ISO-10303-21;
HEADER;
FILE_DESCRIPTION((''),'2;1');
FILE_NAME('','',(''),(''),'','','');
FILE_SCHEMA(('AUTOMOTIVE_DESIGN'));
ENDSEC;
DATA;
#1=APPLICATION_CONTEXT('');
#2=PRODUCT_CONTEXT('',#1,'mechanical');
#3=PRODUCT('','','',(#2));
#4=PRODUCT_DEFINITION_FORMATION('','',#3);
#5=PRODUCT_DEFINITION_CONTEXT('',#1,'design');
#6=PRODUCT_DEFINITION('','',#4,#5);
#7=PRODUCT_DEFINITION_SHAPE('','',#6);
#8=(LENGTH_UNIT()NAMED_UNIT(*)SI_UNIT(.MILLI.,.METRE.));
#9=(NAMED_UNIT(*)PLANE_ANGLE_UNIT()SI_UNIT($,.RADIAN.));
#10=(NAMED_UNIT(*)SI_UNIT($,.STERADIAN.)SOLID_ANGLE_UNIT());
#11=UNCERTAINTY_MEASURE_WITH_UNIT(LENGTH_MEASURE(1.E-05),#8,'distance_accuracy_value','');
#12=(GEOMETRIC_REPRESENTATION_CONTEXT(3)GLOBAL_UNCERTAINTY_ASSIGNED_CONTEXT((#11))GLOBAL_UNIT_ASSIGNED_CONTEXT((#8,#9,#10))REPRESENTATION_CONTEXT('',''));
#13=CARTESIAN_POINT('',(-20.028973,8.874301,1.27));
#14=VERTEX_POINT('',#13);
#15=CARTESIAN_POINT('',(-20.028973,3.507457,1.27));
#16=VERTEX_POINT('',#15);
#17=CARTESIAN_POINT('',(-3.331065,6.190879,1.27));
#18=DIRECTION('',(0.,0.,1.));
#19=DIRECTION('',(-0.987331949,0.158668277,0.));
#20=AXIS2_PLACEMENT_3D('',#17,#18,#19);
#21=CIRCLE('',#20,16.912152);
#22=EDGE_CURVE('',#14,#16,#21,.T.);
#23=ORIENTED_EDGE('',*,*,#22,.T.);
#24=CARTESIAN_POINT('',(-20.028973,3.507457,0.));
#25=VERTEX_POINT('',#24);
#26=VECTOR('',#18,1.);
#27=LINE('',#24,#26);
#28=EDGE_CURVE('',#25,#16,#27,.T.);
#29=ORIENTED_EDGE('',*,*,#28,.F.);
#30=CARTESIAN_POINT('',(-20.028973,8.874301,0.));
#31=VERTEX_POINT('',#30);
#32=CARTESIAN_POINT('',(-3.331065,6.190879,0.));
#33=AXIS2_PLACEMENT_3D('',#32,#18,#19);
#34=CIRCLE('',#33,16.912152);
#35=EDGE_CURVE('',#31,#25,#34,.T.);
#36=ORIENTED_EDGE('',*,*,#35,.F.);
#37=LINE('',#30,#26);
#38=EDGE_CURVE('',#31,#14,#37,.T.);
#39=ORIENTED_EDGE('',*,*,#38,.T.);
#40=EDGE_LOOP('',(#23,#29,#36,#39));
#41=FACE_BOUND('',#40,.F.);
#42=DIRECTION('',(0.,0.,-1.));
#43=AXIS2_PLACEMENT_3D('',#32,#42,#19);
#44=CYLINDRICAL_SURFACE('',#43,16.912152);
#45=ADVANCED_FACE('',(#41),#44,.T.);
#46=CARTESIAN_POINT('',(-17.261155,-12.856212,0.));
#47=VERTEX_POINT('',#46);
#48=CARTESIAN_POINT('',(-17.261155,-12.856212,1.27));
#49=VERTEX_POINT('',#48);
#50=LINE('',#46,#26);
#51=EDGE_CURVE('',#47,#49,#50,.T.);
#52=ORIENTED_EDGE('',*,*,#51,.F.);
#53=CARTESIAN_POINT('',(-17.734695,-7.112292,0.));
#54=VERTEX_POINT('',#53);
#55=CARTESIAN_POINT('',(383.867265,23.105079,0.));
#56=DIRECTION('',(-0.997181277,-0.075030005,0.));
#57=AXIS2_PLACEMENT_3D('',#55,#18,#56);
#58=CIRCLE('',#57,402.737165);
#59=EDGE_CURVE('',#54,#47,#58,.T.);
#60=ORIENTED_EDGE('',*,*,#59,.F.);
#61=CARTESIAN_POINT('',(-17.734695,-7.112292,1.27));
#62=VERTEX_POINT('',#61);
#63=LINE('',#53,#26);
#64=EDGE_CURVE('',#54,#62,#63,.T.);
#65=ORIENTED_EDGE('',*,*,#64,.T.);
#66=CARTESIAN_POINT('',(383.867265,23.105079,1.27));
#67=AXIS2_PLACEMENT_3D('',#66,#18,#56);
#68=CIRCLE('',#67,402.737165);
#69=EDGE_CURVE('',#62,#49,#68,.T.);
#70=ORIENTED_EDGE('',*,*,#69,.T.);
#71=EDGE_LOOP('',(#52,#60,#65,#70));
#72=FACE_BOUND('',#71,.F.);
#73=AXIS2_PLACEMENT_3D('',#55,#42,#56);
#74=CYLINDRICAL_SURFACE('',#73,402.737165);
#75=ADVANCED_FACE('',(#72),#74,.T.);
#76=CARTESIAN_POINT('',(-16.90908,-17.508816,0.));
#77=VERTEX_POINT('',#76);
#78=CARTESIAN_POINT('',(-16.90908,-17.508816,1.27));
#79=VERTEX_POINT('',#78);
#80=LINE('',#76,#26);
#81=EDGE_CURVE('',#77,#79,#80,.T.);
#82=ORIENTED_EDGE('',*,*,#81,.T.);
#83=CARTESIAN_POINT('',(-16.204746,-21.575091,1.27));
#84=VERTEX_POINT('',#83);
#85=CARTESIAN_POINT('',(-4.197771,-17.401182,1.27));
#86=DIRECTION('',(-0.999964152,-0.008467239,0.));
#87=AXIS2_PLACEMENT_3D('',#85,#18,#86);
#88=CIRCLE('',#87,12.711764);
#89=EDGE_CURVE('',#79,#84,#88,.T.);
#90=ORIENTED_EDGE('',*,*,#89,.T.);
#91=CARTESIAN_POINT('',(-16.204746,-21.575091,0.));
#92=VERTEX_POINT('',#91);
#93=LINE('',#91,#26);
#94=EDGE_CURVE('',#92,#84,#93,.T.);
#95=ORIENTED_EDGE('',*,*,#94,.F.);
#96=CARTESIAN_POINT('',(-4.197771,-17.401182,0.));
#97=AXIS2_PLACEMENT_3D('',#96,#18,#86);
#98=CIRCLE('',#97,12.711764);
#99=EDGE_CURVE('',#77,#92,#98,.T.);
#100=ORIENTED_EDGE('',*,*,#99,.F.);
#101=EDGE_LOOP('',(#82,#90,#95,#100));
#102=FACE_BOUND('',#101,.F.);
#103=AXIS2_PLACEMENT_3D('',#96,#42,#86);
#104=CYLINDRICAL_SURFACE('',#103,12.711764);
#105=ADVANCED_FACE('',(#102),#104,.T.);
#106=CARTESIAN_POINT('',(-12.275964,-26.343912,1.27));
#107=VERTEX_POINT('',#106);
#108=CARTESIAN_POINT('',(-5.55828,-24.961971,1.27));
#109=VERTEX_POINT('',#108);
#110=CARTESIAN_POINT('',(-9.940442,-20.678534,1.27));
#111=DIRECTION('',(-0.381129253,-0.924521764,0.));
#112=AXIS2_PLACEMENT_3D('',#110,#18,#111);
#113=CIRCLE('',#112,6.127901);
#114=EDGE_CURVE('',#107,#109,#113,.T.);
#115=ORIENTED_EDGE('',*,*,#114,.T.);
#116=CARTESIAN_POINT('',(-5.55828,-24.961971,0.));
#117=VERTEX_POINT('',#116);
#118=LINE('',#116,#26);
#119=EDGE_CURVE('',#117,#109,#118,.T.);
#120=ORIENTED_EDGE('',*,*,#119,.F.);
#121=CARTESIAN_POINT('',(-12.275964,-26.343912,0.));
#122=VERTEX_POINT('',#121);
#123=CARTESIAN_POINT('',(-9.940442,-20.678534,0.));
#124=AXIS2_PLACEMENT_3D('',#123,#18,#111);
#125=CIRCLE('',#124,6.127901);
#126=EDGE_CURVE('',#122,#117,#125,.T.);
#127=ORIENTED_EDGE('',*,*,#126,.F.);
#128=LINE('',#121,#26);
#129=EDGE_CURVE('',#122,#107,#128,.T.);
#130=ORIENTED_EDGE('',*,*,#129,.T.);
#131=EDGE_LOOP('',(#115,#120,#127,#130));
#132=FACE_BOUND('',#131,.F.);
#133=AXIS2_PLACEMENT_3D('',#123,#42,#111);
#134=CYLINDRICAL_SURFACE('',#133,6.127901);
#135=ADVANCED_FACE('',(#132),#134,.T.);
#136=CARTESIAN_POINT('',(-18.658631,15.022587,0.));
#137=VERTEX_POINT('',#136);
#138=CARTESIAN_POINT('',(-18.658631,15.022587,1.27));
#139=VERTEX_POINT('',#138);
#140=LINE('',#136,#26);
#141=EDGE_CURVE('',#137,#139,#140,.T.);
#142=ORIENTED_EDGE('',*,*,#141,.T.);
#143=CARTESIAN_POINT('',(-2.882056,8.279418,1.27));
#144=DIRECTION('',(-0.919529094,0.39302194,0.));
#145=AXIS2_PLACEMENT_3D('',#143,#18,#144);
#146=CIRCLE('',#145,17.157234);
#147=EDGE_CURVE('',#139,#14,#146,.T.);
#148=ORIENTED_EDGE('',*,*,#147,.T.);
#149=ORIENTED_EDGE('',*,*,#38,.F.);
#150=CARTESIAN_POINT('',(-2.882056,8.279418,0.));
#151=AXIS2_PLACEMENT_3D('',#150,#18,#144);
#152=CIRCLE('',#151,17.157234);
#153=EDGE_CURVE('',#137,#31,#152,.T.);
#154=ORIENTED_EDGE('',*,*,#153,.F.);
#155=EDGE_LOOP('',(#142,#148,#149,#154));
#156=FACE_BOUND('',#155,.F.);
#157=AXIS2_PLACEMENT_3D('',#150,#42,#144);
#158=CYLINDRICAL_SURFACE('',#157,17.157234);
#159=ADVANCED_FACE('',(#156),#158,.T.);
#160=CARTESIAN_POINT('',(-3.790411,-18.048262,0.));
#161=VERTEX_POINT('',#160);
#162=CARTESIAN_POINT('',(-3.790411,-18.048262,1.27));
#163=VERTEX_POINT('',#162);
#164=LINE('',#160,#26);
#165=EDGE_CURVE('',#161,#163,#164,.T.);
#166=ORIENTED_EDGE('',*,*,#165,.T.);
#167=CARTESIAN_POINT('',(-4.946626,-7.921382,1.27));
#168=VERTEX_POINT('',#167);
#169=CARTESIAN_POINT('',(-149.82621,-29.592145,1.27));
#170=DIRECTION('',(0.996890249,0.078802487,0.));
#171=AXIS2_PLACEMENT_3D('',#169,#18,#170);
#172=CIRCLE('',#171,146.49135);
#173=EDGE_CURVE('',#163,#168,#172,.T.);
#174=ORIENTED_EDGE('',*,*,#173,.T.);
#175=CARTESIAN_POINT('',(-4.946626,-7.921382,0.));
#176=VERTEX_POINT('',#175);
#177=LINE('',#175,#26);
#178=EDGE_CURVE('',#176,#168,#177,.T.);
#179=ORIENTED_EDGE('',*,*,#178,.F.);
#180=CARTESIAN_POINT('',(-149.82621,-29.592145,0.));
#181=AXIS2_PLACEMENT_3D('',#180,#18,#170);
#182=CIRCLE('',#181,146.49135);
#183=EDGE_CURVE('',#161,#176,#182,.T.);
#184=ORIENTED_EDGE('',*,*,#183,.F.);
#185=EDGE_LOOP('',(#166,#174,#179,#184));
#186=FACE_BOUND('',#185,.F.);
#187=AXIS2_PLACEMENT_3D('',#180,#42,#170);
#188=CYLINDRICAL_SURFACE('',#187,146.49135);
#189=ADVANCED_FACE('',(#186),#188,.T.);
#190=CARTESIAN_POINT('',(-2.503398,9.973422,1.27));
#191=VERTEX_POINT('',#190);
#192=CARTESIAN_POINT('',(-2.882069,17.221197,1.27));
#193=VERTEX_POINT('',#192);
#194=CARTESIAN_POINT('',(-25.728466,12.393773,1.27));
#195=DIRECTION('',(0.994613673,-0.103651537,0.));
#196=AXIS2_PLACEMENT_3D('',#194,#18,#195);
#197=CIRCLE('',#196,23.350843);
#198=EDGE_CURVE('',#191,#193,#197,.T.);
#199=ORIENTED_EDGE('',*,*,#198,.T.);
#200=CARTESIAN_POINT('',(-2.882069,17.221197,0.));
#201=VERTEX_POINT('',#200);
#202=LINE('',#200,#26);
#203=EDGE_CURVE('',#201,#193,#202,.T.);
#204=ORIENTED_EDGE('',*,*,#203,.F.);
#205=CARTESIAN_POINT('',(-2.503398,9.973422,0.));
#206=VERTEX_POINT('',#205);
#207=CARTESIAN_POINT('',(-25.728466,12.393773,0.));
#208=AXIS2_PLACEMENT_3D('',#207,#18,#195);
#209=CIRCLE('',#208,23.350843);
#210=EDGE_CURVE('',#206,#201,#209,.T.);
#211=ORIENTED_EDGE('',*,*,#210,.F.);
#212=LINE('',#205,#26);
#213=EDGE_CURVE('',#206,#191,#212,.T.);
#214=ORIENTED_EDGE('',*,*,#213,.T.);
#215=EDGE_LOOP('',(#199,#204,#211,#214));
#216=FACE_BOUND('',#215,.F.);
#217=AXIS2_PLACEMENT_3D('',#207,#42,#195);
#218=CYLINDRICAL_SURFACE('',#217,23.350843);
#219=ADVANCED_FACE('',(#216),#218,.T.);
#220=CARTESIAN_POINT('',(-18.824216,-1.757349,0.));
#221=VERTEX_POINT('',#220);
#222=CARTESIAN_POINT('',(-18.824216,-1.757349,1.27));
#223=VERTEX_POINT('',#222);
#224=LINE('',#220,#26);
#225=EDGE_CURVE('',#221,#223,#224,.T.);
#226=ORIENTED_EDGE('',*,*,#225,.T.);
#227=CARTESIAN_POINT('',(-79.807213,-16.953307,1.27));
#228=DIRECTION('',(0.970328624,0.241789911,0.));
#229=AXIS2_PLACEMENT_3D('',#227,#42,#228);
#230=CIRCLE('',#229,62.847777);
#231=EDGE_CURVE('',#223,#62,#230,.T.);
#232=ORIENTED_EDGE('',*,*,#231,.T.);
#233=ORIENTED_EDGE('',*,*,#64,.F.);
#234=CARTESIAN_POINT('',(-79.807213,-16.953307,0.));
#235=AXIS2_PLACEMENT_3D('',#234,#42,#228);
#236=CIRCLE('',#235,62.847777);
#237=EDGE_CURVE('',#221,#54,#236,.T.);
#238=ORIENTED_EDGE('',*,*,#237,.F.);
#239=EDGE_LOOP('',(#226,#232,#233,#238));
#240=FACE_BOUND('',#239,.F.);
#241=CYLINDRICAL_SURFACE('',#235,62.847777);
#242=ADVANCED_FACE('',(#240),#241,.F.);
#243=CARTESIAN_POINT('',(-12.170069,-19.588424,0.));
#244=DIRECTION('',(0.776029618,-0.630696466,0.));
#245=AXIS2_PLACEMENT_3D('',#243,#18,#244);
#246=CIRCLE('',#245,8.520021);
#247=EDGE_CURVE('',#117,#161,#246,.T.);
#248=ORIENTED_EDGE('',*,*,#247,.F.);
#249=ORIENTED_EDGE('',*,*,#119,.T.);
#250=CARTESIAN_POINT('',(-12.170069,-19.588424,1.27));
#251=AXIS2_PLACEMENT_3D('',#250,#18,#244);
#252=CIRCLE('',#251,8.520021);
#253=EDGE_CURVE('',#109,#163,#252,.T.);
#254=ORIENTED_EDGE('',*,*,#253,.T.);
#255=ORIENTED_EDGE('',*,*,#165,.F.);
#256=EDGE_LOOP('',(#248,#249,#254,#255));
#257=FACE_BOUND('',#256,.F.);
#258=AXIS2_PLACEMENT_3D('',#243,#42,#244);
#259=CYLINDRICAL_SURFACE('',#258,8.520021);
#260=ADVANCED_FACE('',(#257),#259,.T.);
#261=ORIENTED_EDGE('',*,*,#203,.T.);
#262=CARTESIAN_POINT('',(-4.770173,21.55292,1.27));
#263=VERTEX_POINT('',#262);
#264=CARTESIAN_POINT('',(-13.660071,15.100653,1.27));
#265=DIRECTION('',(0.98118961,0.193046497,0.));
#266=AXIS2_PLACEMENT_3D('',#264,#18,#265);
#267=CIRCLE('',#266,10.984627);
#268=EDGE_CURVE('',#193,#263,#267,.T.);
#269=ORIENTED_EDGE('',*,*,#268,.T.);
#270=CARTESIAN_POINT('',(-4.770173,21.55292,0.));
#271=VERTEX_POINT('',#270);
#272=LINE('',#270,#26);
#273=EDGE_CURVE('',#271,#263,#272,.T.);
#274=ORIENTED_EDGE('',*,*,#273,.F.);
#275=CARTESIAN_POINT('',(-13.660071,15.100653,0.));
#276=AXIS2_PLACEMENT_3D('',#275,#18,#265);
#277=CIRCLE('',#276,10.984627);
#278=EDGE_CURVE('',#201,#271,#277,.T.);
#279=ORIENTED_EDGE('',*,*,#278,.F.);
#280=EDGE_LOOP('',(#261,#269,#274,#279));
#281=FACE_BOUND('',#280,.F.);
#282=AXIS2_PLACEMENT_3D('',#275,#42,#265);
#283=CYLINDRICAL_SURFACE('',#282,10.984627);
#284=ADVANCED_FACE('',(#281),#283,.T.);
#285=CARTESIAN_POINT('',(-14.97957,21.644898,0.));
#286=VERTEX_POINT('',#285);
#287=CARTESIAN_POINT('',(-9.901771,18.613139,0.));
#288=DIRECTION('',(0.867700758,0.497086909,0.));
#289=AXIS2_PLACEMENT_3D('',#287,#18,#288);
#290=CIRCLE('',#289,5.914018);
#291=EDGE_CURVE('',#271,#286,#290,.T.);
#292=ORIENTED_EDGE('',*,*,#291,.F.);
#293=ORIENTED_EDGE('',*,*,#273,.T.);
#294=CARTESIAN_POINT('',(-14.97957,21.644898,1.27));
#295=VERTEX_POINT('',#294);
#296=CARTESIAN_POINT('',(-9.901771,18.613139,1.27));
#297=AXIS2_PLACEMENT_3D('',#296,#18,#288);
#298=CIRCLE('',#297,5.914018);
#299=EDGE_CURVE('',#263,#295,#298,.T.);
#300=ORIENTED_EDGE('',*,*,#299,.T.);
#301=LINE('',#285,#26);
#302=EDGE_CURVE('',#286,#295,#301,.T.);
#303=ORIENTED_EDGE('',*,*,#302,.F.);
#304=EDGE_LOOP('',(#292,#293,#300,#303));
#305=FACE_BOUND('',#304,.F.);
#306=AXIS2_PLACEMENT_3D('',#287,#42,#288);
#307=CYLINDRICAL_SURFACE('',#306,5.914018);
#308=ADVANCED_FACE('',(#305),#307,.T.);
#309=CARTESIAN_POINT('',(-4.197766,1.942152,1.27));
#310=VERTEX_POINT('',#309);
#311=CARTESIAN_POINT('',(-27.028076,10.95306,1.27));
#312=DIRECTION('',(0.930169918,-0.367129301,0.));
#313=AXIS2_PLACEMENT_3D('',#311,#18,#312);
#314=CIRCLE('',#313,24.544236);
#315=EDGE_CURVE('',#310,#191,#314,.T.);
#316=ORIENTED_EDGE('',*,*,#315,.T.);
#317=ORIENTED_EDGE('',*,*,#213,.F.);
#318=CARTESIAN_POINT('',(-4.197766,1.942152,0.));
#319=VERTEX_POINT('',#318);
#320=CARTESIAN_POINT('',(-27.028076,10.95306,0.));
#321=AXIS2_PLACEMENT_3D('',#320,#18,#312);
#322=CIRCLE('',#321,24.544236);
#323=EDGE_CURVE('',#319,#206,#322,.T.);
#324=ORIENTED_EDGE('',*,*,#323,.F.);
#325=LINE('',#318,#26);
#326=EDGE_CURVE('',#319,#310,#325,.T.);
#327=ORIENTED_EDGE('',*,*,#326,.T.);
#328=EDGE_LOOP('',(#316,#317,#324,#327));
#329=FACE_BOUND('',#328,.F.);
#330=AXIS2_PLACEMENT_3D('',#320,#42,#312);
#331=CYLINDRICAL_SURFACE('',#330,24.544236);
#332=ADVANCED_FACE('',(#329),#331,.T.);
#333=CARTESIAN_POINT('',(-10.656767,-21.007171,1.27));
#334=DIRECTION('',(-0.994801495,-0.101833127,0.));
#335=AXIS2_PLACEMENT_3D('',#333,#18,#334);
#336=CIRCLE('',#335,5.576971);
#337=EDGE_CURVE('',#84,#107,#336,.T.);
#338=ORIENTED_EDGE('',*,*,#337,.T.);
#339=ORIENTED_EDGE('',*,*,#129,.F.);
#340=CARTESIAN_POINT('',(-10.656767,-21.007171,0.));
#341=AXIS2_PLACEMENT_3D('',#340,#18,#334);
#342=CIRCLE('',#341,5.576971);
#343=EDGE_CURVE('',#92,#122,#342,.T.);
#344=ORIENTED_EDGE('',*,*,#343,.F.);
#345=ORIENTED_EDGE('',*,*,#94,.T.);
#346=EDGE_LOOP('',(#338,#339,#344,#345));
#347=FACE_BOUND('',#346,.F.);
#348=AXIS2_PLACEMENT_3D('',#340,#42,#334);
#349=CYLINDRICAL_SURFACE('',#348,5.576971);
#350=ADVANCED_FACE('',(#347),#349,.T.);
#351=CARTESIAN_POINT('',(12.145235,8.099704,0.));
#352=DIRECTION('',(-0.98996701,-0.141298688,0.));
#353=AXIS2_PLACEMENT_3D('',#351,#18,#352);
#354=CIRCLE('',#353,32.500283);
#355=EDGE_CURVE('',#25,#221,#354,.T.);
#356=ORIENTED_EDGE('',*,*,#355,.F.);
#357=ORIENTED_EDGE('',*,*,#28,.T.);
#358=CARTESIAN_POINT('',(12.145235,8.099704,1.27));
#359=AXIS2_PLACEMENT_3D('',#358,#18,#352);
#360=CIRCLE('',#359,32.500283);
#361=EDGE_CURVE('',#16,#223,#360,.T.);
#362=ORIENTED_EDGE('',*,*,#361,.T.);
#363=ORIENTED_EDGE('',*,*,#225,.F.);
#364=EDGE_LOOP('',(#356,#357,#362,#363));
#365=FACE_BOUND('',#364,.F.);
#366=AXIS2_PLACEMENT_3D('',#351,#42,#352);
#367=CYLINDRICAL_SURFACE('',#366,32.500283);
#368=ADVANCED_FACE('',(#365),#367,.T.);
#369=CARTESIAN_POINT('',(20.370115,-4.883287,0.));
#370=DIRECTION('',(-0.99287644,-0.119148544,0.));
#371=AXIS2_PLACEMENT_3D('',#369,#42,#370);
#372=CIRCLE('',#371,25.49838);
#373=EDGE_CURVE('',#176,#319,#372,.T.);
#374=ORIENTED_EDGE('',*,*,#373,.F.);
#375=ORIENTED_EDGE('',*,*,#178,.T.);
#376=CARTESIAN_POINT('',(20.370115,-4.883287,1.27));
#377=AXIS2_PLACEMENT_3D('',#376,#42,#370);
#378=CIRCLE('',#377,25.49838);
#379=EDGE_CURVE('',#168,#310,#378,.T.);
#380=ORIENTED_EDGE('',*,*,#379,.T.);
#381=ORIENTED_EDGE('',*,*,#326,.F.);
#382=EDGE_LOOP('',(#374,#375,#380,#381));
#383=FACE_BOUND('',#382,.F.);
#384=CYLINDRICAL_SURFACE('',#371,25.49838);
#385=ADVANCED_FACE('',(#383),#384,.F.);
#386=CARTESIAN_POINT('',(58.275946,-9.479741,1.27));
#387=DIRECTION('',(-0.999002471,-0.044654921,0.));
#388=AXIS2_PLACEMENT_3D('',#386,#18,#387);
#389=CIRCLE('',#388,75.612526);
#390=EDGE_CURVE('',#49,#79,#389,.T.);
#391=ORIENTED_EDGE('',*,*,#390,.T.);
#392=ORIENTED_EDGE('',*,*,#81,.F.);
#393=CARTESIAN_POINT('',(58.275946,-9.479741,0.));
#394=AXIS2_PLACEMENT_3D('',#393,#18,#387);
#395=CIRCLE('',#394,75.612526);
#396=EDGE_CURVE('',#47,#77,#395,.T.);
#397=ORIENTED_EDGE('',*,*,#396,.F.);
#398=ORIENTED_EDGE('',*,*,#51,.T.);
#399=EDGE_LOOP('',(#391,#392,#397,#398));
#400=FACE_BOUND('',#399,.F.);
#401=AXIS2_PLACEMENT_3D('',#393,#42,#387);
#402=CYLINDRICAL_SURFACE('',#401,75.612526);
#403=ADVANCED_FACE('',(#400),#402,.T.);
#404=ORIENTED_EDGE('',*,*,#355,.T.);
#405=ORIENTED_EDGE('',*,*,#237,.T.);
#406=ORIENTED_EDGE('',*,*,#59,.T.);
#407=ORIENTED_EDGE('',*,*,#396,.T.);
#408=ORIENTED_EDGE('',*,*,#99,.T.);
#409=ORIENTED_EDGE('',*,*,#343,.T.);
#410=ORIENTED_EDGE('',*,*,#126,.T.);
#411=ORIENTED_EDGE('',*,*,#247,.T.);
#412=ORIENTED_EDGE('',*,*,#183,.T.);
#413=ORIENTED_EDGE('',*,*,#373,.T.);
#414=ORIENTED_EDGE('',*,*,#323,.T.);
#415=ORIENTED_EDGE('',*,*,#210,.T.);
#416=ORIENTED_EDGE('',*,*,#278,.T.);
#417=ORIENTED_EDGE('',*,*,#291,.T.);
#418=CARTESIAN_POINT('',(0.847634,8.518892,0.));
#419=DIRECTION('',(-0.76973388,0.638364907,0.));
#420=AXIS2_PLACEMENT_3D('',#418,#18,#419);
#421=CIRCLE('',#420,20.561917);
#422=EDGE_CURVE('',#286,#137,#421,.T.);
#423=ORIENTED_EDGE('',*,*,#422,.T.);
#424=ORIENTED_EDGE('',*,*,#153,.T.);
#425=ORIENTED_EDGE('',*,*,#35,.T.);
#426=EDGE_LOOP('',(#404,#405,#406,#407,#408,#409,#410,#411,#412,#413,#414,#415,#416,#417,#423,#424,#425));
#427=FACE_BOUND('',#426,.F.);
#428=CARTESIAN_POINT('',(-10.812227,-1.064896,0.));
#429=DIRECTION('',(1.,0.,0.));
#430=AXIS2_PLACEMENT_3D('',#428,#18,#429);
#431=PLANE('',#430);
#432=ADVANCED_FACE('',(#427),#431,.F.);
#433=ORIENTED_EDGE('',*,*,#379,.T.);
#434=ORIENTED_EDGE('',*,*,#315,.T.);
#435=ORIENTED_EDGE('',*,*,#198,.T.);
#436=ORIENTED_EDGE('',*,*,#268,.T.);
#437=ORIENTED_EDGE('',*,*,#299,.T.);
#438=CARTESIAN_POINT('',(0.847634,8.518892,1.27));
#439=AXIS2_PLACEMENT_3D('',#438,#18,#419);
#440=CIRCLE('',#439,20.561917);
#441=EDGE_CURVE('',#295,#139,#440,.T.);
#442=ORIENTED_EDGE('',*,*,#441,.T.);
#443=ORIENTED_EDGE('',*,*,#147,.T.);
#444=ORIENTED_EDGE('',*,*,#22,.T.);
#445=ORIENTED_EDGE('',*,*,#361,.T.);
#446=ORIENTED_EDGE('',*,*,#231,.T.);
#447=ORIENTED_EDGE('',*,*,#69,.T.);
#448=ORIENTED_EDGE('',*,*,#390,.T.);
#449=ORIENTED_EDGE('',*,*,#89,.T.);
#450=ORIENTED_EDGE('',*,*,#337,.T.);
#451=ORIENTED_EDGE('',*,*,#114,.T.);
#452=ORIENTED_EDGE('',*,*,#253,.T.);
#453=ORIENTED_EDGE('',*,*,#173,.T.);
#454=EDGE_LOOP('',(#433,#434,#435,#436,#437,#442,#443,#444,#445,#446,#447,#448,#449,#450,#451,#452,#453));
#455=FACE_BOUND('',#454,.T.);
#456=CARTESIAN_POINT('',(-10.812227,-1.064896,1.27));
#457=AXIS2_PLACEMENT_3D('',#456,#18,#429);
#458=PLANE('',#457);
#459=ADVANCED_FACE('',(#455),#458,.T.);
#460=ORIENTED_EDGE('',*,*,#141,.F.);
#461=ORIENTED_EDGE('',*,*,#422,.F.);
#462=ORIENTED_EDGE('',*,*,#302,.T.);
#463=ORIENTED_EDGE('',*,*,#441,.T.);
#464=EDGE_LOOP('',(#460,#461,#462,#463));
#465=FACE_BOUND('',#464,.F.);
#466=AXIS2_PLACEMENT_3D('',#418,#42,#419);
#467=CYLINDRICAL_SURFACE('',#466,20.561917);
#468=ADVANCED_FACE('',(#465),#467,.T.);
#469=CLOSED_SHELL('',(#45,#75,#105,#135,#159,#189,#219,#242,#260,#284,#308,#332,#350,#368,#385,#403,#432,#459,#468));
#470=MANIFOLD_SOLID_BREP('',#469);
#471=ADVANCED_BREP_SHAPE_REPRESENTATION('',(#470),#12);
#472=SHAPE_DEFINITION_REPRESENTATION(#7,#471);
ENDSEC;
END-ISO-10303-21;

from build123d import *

# Parameters (mm, degrees)
F1_DEPTH = 1.27


with BuildPart() as f1:
    # F0 (on Top) → F1 (new body)
    with BuildSketch(Plane.XY):
        with BuildLine():
            ThreePointArc((-2.882069, 17.221197), (-3.590437, 19.489788), (-4.770173, 21.55292))
            ThreePointArc((-4.770173, 21.55292), (-9.848493, 24.526917), (-14.97957, 21.644898))
            ThreePointArc((-14.97957, 21.644898), (-17.126716, 18.50464), (-18.658631, 15.022587))
            ThreePointArc((-18.658631, 15.022587), (-19.628382, 12.011872), (-20.028973, 8.874301))
            ThreePointArc((-20.028973, 8.874301), (-20.243217, 6.190879), (-20.028973, 3.507457))
            ThreePointArc((-20.028973, 3.507457), (-19.536147, 0.849985), (-18.824216, -1.757349))
            ThreePointArc((-18.824216, -1.757349), (-18.221226, -4.422973), (-17.734695, -7.112292))
            ThreePointArc((-17.734695, -7.112292), (-17.5082, -9.985099), (-17.261155, -12.856212))
            ThreePointArc((-17.261155, -12.856212), (-17.121014, -15.18523), (-16.90908, -17.508816))
            ThreePointArc((-16.90908, -17.508816), (-16.723027, -19.570727), (-16.204746, -21.575091))
            ThreePointArc((-16.204746, -21.575091), (-14.961127, -24.553308), (-12.275964, -26.343912))
            ThreePointArc((-12.275964, -26.343912), (-8.705685, -26.680746), (-5.55828, -24.961971))
            ThreePointArc((-5.55828, -24.961971), (-3.915633, -21.699123), (-3.790411, -18.048262))
            ThreePointArc((-3.790411, -18.048262), (-4.280415, -12.974763), (-4.946626, -7.921382))
            ThreePointArc((-4.946626, -7.921382), (-5.055093, -2.952952), (-4.197766, 1.942152))
            ThreePointArc((-4.197766, 1.942152), (-3.012476, 5.886456), (-2.503398, 9.973422))
            ThreePointArc((-2.503398, 9.973422), (-2.409428, 13.612111), (-2.882069, 17.221197))
        make_face()
    extrude(amount=F1_DEPTH)


solid = f1.part
